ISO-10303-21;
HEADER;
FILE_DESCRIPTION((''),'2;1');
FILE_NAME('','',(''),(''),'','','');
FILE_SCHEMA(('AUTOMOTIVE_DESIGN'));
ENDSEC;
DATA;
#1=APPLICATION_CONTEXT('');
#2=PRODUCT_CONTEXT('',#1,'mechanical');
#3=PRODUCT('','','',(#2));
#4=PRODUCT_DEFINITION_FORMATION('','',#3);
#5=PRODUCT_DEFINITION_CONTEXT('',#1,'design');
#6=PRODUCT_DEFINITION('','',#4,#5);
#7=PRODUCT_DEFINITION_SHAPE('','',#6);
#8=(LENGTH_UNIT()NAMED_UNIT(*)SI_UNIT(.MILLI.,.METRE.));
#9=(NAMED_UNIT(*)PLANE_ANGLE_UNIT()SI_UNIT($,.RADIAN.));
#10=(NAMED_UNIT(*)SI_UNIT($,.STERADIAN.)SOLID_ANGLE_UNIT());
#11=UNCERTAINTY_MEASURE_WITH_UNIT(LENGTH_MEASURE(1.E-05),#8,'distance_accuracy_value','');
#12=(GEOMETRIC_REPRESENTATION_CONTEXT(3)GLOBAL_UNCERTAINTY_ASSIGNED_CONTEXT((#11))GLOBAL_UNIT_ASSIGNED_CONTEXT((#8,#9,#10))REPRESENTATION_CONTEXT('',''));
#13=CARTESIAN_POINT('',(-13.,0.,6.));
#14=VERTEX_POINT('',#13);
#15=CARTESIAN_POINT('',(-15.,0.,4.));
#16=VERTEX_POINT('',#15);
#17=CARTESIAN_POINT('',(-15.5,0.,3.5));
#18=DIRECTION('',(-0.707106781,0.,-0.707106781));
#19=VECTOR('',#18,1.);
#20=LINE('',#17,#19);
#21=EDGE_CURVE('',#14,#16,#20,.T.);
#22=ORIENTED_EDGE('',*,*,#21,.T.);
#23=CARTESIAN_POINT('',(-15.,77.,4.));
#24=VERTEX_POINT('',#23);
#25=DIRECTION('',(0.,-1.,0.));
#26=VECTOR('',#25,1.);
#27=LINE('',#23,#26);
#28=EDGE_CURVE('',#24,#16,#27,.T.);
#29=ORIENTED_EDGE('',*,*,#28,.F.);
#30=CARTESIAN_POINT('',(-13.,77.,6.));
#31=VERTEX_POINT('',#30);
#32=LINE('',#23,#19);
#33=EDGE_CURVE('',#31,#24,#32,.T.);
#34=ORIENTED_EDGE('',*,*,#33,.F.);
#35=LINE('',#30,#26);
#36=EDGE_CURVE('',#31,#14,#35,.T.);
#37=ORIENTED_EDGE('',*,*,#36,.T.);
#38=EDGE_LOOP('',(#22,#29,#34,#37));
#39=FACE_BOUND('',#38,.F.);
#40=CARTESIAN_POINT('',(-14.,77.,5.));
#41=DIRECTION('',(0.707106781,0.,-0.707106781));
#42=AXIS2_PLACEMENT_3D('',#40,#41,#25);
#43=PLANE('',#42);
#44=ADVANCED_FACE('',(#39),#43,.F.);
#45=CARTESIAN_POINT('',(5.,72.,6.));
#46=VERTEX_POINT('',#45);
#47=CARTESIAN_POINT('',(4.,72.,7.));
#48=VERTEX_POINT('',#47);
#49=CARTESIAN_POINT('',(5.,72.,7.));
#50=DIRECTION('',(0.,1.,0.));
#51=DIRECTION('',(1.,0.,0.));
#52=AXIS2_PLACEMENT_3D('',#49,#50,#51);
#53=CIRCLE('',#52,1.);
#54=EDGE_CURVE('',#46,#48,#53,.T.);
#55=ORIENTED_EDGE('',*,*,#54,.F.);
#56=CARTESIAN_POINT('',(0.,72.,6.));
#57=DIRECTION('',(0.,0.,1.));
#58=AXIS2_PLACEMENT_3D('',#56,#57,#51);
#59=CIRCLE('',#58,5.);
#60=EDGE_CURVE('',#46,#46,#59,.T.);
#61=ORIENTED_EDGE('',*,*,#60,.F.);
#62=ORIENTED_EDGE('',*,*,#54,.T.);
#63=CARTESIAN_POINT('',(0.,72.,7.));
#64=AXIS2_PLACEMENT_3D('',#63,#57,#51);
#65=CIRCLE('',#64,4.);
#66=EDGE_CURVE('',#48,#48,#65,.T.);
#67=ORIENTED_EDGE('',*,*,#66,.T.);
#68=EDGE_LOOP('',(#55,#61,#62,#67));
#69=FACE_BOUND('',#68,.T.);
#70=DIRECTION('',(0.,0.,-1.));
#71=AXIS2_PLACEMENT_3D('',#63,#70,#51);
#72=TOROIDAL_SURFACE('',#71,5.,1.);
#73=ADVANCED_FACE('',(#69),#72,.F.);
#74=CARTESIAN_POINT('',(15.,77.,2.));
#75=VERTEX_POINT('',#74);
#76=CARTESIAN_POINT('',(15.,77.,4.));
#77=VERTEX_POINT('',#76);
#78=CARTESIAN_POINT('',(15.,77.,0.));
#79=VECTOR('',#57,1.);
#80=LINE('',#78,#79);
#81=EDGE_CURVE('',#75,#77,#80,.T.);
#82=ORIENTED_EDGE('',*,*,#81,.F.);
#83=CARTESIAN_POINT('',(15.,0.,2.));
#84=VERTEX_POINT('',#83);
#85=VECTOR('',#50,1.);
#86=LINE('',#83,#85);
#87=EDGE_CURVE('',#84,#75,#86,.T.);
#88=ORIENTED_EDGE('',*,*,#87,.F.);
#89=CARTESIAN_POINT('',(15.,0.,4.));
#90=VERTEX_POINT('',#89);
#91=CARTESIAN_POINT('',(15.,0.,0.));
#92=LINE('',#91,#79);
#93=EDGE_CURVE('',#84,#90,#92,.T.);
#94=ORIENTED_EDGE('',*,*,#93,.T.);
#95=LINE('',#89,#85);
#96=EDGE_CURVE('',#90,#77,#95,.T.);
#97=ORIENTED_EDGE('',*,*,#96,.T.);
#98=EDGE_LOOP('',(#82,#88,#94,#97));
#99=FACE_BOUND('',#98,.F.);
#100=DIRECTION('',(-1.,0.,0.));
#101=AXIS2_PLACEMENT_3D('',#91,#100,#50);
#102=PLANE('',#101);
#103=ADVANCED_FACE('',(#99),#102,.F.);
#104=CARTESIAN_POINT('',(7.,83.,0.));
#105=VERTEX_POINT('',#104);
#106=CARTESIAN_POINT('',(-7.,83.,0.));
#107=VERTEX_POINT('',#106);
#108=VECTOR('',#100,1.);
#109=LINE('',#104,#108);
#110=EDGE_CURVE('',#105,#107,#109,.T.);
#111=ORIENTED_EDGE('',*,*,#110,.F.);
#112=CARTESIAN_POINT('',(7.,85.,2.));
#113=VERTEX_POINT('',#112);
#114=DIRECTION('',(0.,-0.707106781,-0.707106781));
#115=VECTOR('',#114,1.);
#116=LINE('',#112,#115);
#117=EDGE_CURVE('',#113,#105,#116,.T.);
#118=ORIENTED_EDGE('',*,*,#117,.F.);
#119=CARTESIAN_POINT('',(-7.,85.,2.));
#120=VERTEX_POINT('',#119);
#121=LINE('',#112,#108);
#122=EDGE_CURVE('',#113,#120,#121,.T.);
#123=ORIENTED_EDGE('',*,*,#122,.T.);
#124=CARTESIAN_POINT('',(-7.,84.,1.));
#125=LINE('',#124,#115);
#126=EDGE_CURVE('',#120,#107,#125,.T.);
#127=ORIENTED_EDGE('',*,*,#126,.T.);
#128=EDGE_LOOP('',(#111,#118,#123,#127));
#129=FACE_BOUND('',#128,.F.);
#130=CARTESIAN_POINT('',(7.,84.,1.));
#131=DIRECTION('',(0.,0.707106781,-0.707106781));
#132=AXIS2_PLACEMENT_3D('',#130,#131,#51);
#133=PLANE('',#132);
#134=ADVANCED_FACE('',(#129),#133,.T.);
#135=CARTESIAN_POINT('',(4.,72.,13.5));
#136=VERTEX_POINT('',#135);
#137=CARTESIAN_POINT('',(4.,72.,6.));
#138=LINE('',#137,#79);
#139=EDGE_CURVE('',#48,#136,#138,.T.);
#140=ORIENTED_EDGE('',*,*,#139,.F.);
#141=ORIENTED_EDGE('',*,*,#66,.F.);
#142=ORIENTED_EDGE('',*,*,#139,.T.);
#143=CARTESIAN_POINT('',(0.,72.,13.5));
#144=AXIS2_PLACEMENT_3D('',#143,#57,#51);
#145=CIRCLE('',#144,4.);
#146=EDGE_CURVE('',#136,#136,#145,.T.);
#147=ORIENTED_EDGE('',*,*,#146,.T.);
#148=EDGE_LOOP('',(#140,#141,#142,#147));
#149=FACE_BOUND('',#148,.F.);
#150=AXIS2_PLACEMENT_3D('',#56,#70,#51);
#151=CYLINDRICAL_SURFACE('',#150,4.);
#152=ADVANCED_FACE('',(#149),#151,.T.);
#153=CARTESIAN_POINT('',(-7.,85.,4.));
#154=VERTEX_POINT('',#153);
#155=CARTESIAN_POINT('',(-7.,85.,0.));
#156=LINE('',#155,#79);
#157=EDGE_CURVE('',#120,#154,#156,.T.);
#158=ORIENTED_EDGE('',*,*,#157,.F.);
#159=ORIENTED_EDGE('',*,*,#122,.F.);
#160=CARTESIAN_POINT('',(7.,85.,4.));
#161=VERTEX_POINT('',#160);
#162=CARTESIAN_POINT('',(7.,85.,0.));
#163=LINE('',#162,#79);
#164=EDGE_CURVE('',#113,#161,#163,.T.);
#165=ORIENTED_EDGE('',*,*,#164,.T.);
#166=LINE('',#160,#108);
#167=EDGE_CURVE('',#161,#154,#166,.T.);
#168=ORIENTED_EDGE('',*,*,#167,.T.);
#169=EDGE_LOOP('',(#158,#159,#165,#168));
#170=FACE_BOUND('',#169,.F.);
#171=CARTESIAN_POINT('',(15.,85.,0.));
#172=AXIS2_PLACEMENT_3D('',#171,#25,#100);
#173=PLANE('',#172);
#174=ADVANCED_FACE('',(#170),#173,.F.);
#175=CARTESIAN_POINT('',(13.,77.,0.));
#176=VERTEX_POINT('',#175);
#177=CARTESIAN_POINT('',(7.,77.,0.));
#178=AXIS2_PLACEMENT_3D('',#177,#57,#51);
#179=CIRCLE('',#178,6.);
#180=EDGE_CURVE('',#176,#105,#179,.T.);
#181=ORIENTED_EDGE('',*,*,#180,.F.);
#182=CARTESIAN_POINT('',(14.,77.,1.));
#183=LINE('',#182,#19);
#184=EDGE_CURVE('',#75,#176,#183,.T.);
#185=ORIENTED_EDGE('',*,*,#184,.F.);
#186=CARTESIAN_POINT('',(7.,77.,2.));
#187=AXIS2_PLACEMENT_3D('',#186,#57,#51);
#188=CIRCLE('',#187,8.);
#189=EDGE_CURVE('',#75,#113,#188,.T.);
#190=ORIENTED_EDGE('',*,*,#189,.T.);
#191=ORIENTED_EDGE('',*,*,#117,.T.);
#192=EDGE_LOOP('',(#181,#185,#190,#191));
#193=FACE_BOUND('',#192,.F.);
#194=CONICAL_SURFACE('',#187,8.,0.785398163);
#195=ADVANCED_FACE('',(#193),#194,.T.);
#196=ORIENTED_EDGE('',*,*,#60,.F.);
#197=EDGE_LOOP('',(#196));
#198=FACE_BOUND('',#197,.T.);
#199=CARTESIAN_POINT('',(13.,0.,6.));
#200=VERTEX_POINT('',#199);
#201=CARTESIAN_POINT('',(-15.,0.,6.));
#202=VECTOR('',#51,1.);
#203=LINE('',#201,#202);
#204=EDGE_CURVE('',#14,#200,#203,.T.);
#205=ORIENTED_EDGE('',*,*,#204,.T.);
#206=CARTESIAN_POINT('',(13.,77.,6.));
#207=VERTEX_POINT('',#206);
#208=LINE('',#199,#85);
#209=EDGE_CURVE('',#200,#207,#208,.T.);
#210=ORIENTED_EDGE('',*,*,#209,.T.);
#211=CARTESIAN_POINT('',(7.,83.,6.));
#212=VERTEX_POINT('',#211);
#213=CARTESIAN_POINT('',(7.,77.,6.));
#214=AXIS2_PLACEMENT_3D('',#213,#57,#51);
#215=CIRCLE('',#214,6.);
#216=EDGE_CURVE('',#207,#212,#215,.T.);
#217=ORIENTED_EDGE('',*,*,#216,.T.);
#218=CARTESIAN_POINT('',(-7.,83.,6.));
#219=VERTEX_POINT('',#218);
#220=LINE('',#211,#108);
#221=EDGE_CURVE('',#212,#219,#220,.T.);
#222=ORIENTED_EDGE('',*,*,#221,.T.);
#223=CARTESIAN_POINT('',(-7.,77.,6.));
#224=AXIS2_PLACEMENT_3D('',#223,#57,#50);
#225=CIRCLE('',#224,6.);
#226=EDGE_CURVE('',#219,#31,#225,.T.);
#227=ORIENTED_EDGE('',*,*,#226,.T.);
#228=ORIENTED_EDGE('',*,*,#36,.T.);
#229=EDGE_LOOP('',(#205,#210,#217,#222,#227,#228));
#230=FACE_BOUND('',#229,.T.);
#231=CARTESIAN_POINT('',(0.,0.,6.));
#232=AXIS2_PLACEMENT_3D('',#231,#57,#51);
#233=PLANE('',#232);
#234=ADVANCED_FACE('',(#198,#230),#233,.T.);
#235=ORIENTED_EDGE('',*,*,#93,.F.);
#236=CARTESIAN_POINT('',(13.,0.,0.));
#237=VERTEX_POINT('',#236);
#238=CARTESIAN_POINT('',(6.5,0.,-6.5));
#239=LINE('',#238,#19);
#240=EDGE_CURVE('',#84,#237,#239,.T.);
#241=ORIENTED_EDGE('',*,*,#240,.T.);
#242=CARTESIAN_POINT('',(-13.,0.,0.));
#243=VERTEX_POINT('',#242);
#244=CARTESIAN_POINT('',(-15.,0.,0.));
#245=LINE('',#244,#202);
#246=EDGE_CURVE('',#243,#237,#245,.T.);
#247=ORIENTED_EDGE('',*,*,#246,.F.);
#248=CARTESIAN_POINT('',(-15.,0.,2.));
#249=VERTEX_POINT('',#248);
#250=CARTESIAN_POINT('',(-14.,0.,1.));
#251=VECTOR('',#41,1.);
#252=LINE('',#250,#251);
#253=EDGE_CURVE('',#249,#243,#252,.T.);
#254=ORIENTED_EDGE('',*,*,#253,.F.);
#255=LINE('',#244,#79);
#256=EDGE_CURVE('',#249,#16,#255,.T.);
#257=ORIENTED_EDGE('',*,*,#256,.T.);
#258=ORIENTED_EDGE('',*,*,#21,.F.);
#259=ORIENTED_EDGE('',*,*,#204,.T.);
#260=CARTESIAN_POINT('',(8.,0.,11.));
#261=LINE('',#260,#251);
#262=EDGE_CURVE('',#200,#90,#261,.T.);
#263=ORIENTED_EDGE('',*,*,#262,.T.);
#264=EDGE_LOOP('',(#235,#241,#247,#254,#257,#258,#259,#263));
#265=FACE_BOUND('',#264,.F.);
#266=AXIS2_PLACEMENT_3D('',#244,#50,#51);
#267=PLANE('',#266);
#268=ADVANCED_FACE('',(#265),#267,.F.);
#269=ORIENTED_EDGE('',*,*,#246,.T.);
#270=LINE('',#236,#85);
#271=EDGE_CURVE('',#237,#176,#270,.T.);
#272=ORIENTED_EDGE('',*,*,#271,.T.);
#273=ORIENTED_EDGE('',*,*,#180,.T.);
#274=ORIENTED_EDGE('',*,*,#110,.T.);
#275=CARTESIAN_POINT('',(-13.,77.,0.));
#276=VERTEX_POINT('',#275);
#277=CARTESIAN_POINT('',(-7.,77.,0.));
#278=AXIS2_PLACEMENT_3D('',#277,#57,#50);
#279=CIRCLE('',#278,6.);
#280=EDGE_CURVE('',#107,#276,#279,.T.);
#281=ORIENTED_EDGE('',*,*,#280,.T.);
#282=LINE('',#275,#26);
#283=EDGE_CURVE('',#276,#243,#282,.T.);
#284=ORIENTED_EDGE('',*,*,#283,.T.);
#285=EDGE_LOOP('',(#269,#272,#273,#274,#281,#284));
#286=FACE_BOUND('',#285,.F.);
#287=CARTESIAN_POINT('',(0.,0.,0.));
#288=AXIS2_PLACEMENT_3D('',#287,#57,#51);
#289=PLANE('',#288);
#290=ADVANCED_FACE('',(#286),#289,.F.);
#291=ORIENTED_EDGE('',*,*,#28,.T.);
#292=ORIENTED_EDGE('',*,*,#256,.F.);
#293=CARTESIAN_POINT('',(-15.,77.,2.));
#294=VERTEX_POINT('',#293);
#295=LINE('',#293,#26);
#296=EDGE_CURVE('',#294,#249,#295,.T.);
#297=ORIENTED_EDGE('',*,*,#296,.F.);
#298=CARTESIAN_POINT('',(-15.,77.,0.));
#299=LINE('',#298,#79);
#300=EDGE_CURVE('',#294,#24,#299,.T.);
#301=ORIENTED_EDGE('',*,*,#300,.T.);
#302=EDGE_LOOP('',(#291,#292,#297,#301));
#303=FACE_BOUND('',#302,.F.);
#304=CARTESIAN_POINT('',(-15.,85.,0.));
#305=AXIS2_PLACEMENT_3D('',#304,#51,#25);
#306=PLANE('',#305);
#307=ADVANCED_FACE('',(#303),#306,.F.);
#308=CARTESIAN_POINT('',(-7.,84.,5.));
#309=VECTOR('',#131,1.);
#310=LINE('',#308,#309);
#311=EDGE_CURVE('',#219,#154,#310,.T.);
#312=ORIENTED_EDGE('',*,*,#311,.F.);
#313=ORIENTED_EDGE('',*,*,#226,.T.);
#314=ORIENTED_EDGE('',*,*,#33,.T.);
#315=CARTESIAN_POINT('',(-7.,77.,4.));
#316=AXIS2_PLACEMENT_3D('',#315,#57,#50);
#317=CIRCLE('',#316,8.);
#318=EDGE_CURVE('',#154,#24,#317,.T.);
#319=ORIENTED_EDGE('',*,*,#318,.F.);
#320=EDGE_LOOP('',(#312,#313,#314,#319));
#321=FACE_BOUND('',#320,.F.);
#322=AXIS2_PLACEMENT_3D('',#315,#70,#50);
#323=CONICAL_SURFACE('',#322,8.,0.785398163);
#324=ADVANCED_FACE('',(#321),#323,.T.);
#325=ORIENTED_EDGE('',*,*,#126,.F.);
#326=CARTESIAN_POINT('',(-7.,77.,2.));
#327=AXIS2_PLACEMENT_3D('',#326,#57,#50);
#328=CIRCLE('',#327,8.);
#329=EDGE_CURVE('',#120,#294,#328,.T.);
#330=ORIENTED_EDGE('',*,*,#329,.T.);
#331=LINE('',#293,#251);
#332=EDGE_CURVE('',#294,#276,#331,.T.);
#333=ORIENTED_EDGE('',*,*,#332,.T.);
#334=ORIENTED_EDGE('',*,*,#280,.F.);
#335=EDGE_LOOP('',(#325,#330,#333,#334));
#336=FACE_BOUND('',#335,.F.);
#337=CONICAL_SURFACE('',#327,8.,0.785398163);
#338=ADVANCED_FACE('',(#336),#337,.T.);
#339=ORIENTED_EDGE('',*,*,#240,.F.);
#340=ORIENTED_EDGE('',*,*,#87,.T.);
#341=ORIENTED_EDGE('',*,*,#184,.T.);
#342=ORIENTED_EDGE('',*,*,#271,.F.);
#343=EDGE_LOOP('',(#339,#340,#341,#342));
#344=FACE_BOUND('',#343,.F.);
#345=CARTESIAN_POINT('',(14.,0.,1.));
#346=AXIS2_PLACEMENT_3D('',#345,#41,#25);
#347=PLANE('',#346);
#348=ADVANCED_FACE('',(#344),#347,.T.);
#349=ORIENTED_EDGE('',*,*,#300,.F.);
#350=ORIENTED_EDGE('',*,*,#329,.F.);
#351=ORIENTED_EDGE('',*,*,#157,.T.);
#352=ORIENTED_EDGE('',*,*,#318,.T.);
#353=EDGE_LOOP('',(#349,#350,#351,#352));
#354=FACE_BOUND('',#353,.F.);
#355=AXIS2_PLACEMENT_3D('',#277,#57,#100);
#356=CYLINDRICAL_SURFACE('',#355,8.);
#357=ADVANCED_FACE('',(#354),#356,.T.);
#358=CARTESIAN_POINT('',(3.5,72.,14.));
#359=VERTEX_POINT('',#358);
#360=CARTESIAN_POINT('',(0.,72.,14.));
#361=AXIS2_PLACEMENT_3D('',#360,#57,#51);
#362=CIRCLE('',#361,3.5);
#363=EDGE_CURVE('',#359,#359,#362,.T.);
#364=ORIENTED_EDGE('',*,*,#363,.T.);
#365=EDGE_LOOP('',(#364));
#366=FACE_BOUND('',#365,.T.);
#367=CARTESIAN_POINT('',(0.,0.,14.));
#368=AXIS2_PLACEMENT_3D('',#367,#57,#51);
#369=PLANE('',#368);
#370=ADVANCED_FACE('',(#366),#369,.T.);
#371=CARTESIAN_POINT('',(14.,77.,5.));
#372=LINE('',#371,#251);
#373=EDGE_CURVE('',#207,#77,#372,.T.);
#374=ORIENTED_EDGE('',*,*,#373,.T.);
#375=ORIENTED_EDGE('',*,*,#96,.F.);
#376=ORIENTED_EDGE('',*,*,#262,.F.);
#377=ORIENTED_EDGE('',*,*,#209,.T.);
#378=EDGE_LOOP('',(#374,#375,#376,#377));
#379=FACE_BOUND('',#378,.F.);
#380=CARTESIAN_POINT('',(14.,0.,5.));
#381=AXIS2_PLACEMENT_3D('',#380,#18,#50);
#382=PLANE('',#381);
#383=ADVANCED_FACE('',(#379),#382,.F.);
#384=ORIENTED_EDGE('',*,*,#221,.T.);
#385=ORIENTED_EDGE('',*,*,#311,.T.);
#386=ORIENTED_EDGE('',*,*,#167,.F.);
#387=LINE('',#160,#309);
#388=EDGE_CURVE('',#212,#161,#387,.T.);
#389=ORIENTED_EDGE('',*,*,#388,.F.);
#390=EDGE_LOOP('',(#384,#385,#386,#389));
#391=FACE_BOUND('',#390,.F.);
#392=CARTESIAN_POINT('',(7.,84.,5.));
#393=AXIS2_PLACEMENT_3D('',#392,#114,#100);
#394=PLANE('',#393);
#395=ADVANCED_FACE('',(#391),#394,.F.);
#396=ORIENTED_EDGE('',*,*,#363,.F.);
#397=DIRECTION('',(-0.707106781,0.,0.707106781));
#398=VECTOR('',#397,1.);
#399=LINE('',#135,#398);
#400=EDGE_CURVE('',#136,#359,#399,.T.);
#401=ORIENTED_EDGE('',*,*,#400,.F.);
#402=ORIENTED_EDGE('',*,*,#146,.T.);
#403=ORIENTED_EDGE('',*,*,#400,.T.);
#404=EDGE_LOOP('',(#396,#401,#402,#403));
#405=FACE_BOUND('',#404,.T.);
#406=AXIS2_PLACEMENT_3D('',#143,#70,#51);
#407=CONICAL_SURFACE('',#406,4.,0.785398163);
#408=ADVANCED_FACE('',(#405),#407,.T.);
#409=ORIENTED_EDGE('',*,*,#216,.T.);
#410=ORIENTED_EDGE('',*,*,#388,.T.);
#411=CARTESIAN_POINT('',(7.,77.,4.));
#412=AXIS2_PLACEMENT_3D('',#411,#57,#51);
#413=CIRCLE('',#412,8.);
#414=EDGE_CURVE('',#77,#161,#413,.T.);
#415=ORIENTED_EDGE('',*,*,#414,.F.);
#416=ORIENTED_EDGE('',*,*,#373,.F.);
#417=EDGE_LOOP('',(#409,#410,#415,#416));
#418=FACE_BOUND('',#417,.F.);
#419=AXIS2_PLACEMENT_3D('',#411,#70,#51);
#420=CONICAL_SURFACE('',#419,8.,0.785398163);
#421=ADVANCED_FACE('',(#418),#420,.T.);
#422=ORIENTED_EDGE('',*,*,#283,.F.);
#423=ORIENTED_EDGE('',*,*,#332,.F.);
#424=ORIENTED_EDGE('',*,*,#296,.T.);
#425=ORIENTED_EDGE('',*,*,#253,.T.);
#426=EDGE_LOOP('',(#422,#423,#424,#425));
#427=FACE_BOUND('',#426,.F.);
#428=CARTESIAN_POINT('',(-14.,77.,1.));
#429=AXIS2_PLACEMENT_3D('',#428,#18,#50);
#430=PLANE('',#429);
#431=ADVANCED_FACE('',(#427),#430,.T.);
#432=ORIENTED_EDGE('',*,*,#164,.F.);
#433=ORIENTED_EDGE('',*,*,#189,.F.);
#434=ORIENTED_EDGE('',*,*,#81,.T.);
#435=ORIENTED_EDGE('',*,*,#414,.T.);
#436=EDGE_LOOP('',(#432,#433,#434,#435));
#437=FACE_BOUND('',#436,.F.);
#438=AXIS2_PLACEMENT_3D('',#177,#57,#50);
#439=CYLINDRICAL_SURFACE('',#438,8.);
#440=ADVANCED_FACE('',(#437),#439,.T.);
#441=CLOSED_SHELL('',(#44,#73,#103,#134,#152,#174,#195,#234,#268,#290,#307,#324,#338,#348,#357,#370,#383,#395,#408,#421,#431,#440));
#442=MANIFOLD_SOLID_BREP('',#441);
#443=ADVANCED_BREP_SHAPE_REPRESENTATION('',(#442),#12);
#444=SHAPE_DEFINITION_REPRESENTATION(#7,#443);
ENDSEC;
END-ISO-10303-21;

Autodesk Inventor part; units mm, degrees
ref_plane "YZ Plane" through (0, 0, 0) normal (1, 0, 0) x (0, 1, 0)
ref_plane "XZ Plane" through (0, 0, 0) normal (0, 1, 0) x (-1, 0, 0)
ref_plane "XY Plane" through (0, 0, 0) normal (0, 0, 1) x (1, 0, 0)
sketch "Sketch1" plane through (0, 0, 0) normal (0, 0, 1) x (1, 0, 0)
  line L0 (-15, 0) -> (15, 0)
  line L1 (15, 0) -> (15, 85)
  line L2 (15, 85) -> (-15, 85)
  line L3 (-15, 85) -> (-15, 0)
  point P0 (0, 0)
  dimension "d0" = 30
  dimension "d1" = 85
  dimension "d2" = 15
  dimension "d3" = 85
extrude "Extrusion1" add sketch "Sketch1" along normal blind 6
fillet "Fillet1" radius 8 2 edges at (15, 85, 3) (-15, 85, 3)
sketch "Sketch2" plane through (0, 0, 6) normal (0, 0, 1) x (1, 0, 0)
  circle A0 centre (0, 72) radius 4
  line L0 (-15, 0) -> (15, 0) projected
  point P0 (0, 0)
  dimension "d7" = 72
  dimension "d8" = 8
  dimension "d12" = 0
extrude "Extrusion2" add sketch "Sketch2" along normal blind 8
fillet "Fillet2" radius 1 1 edges at (-4, 72, 6)
chamfer "Chamfer1" distance 0.5 angle 45 1 edges at (-4, 72, 14)
chamfer "Chamfer2" distance 2 angle 45 10 edges at (0, 85, 6) (-12.6569, 82.6569, 6) (-15, 38.5, 6) (12.6569, 82.6569, 6) (15, 38.5, 6) (0, 85, 0) (-12.6569, 82.6569, 0) (-15, 38.5, 0) (12.6569, 82.6569, 0) (15, 38.5, 0)
equation "\"d2\" = 0.5 * d0"
equation "\"d3\" = d1"
equation "\"d8\" = d"
equation "\"d\" = 8"
properties part number "reelTab" material "Steel, Mild"
